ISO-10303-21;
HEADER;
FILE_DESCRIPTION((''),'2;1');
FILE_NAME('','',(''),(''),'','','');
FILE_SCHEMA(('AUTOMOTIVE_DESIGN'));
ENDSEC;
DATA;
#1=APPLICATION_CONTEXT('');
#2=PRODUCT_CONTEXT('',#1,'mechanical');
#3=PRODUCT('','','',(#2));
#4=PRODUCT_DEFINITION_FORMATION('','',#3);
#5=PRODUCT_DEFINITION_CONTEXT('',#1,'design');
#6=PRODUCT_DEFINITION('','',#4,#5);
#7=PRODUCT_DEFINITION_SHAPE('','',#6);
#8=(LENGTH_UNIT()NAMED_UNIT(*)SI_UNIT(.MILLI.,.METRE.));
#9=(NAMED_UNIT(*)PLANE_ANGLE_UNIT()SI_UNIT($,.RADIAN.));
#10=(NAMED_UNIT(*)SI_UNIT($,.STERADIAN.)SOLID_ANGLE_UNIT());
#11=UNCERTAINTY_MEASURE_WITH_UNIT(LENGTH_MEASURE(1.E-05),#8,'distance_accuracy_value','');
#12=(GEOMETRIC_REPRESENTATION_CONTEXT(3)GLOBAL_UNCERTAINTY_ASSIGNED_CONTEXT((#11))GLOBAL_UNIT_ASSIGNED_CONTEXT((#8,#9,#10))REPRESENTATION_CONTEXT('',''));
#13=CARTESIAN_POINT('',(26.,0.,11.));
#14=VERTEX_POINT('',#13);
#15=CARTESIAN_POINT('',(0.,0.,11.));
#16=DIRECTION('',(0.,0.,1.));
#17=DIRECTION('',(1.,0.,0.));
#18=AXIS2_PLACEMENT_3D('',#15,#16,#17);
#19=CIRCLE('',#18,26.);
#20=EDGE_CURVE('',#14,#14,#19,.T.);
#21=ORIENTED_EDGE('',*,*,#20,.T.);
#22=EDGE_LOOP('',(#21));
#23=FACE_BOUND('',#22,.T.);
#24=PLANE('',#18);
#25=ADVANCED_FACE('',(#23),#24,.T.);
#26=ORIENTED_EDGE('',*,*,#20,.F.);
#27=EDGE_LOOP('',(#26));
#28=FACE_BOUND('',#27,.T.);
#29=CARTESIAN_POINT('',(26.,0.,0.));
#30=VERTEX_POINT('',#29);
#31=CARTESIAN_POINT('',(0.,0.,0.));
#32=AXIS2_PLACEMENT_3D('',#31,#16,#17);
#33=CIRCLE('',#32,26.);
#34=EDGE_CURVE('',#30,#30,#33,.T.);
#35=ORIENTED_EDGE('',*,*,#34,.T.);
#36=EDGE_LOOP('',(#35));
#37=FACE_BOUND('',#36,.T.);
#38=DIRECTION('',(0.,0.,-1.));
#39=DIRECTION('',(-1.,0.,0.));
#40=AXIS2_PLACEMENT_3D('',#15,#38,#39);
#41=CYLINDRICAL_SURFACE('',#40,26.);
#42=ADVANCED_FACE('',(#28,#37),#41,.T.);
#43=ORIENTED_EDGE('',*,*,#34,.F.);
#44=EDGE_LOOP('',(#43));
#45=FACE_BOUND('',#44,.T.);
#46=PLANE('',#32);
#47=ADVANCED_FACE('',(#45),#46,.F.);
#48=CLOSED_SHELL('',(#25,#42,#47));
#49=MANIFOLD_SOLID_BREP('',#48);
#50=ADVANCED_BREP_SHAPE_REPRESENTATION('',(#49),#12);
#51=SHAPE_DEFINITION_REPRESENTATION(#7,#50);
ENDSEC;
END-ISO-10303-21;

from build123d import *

# Parameters (mm, degrees)
SKETCH1_R           = 26
BOSS_EXTRUDE1_DEPTH = 11


with BuildPart() as part:
    # Sketch1 → Boss-Extrude1 (new body)
    with BuildSketch(Plane.XY):
        Circle(SKETCH1_R)
    extrude(amount=BOSS_EXTRUDE1_DEPTH)


solid = part.part
